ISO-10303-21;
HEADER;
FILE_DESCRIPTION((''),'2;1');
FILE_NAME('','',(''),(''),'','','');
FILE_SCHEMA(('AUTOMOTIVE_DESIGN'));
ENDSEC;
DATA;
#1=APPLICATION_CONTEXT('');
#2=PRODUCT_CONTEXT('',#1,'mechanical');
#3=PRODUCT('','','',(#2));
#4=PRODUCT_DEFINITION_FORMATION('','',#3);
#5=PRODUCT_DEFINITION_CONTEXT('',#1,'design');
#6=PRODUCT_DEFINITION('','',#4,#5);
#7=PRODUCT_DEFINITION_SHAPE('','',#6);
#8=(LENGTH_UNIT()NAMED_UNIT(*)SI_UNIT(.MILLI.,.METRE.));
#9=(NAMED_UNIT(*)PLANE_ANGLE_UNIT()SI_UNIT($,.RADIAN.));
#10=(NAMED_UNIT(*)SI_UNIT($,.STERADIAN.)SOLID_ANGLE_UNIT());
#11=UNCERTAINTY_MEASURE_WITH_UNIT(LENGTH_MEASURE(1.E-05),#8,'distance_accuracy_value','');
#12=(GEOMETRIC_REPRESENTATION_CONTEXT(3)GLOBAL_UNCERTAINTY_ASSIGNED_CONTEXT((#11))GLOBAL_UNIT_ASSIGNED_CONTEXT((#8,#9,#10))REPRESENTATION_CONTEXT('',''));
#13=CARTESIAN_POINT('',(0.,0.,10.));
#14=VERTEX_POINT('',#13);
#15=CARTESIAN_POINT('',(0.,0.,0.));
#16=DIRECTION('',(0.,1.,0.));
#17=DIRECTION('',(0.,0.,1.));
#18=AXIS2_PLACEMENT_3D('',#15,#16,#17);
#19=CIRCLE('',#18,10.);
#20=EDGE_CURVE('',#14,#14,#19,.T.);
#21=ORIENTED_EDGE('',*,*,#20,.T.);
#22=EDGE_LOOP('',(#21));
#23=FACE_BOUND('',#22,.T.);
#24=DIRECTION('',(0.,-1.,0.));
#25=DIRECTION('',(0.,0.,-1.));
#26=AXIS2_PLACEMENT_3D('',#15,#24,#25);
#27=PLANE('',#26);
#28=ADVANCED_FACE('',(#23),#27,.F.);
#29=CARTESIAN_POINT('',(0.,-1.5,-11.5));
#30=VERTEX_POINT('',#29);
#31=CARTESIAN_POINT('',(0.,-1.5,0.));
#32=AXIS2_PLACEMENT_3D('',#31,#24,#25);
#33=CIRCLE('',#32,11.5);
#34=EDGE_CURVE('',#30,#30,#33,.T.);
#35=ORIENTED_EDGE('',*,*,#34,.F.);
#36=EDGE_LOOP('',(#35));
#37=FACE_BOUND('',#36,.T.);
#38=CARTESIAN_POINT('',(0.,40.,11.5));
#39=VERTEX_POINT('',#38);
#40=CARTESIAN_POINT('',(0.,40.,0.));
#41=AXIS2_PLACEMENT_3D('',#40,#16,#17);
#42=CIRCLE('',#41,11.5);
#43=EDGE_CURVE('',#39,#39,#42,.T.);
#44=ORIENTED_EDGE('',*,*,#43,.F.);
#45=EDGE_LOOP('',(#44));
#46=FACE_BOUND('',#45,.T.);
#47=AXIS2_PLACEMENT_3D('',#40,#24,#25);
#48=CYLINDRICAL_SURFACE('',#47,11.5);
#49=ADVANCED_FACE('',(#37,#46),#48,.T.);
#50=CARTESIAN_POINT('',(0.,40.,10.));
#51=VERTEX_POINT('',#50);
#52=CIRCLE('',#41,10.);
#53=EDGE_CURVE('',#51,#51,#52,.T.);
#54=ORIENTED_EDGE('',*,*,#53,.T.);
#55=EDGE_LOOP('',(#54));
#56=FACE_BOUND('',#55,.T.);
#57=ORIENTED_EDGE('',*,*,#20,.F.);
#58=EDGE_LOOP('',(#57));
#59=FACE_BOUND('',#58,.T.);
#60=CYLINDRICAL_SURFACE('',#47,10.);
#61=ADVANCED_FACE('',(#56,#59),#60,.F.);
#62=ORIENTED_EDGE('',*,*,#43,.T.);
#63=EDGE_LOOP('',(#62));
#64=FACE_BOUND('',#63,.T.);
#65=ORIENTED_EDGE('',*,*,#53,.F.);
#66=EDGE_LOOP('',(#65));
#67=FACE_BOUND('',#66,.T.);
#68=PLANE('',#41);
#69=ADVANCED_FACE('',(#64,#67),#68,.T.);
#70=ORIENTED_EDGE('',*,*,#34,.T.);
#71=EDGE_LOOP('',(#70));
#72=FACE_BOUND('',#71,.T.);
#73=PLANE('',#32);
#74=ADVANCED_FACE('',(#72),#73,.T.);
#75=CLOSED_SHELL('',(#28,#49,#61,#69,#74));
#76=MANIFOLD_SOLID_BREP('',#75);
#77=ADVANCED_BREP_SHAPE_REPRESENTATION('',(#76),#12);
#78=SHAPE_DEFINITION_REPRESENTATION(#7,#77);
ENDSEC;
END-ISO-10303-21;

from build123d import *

# Parameters (mm, degrees)
SKETCH1_R           = 11.5
SKETCH1_R_2         = 10
BOSS_EXTRUDE1_DEPTH = 40
BOSS_EXTRUDE2_START = 1.5
SKETCH2_R           = 11.5
BOSS_EXTRUDE2_DEPTH = 1.5


with BuildPart() as part:
    # Sketch1 → Boss-Extrude1 (new body)
    with BuildSketch(Plane(origin=(0, 0, 0), x_dir=(1, 0, 0), z_dir=(0, 1, 0))):
        with Locations(Location((0, 0, 0), (0, 0, 270))):
            Circle(SKETCH1_R)
        with Locations(Location((0, 0, 0), (0, 0, 270))):
            Circle(SKETCH1_R_2, mode=Mode.SUBTRACT)
    extrude(amount=BOSS_EXTRUDE1_DEPTH)

    # Sketch2 → Boss-Extrude2 (add)
    with BuildSketch(Plane.XZ.offset(BOSS_EXTRUDE2_START)):
        with Locations(Location((0, 0, 0), (0, 0, 270))):
            Circle(SKETCH2_R)
    extrude(amount=-BOSS_EXTRUDE2_DEPTH)


solid = part.part
